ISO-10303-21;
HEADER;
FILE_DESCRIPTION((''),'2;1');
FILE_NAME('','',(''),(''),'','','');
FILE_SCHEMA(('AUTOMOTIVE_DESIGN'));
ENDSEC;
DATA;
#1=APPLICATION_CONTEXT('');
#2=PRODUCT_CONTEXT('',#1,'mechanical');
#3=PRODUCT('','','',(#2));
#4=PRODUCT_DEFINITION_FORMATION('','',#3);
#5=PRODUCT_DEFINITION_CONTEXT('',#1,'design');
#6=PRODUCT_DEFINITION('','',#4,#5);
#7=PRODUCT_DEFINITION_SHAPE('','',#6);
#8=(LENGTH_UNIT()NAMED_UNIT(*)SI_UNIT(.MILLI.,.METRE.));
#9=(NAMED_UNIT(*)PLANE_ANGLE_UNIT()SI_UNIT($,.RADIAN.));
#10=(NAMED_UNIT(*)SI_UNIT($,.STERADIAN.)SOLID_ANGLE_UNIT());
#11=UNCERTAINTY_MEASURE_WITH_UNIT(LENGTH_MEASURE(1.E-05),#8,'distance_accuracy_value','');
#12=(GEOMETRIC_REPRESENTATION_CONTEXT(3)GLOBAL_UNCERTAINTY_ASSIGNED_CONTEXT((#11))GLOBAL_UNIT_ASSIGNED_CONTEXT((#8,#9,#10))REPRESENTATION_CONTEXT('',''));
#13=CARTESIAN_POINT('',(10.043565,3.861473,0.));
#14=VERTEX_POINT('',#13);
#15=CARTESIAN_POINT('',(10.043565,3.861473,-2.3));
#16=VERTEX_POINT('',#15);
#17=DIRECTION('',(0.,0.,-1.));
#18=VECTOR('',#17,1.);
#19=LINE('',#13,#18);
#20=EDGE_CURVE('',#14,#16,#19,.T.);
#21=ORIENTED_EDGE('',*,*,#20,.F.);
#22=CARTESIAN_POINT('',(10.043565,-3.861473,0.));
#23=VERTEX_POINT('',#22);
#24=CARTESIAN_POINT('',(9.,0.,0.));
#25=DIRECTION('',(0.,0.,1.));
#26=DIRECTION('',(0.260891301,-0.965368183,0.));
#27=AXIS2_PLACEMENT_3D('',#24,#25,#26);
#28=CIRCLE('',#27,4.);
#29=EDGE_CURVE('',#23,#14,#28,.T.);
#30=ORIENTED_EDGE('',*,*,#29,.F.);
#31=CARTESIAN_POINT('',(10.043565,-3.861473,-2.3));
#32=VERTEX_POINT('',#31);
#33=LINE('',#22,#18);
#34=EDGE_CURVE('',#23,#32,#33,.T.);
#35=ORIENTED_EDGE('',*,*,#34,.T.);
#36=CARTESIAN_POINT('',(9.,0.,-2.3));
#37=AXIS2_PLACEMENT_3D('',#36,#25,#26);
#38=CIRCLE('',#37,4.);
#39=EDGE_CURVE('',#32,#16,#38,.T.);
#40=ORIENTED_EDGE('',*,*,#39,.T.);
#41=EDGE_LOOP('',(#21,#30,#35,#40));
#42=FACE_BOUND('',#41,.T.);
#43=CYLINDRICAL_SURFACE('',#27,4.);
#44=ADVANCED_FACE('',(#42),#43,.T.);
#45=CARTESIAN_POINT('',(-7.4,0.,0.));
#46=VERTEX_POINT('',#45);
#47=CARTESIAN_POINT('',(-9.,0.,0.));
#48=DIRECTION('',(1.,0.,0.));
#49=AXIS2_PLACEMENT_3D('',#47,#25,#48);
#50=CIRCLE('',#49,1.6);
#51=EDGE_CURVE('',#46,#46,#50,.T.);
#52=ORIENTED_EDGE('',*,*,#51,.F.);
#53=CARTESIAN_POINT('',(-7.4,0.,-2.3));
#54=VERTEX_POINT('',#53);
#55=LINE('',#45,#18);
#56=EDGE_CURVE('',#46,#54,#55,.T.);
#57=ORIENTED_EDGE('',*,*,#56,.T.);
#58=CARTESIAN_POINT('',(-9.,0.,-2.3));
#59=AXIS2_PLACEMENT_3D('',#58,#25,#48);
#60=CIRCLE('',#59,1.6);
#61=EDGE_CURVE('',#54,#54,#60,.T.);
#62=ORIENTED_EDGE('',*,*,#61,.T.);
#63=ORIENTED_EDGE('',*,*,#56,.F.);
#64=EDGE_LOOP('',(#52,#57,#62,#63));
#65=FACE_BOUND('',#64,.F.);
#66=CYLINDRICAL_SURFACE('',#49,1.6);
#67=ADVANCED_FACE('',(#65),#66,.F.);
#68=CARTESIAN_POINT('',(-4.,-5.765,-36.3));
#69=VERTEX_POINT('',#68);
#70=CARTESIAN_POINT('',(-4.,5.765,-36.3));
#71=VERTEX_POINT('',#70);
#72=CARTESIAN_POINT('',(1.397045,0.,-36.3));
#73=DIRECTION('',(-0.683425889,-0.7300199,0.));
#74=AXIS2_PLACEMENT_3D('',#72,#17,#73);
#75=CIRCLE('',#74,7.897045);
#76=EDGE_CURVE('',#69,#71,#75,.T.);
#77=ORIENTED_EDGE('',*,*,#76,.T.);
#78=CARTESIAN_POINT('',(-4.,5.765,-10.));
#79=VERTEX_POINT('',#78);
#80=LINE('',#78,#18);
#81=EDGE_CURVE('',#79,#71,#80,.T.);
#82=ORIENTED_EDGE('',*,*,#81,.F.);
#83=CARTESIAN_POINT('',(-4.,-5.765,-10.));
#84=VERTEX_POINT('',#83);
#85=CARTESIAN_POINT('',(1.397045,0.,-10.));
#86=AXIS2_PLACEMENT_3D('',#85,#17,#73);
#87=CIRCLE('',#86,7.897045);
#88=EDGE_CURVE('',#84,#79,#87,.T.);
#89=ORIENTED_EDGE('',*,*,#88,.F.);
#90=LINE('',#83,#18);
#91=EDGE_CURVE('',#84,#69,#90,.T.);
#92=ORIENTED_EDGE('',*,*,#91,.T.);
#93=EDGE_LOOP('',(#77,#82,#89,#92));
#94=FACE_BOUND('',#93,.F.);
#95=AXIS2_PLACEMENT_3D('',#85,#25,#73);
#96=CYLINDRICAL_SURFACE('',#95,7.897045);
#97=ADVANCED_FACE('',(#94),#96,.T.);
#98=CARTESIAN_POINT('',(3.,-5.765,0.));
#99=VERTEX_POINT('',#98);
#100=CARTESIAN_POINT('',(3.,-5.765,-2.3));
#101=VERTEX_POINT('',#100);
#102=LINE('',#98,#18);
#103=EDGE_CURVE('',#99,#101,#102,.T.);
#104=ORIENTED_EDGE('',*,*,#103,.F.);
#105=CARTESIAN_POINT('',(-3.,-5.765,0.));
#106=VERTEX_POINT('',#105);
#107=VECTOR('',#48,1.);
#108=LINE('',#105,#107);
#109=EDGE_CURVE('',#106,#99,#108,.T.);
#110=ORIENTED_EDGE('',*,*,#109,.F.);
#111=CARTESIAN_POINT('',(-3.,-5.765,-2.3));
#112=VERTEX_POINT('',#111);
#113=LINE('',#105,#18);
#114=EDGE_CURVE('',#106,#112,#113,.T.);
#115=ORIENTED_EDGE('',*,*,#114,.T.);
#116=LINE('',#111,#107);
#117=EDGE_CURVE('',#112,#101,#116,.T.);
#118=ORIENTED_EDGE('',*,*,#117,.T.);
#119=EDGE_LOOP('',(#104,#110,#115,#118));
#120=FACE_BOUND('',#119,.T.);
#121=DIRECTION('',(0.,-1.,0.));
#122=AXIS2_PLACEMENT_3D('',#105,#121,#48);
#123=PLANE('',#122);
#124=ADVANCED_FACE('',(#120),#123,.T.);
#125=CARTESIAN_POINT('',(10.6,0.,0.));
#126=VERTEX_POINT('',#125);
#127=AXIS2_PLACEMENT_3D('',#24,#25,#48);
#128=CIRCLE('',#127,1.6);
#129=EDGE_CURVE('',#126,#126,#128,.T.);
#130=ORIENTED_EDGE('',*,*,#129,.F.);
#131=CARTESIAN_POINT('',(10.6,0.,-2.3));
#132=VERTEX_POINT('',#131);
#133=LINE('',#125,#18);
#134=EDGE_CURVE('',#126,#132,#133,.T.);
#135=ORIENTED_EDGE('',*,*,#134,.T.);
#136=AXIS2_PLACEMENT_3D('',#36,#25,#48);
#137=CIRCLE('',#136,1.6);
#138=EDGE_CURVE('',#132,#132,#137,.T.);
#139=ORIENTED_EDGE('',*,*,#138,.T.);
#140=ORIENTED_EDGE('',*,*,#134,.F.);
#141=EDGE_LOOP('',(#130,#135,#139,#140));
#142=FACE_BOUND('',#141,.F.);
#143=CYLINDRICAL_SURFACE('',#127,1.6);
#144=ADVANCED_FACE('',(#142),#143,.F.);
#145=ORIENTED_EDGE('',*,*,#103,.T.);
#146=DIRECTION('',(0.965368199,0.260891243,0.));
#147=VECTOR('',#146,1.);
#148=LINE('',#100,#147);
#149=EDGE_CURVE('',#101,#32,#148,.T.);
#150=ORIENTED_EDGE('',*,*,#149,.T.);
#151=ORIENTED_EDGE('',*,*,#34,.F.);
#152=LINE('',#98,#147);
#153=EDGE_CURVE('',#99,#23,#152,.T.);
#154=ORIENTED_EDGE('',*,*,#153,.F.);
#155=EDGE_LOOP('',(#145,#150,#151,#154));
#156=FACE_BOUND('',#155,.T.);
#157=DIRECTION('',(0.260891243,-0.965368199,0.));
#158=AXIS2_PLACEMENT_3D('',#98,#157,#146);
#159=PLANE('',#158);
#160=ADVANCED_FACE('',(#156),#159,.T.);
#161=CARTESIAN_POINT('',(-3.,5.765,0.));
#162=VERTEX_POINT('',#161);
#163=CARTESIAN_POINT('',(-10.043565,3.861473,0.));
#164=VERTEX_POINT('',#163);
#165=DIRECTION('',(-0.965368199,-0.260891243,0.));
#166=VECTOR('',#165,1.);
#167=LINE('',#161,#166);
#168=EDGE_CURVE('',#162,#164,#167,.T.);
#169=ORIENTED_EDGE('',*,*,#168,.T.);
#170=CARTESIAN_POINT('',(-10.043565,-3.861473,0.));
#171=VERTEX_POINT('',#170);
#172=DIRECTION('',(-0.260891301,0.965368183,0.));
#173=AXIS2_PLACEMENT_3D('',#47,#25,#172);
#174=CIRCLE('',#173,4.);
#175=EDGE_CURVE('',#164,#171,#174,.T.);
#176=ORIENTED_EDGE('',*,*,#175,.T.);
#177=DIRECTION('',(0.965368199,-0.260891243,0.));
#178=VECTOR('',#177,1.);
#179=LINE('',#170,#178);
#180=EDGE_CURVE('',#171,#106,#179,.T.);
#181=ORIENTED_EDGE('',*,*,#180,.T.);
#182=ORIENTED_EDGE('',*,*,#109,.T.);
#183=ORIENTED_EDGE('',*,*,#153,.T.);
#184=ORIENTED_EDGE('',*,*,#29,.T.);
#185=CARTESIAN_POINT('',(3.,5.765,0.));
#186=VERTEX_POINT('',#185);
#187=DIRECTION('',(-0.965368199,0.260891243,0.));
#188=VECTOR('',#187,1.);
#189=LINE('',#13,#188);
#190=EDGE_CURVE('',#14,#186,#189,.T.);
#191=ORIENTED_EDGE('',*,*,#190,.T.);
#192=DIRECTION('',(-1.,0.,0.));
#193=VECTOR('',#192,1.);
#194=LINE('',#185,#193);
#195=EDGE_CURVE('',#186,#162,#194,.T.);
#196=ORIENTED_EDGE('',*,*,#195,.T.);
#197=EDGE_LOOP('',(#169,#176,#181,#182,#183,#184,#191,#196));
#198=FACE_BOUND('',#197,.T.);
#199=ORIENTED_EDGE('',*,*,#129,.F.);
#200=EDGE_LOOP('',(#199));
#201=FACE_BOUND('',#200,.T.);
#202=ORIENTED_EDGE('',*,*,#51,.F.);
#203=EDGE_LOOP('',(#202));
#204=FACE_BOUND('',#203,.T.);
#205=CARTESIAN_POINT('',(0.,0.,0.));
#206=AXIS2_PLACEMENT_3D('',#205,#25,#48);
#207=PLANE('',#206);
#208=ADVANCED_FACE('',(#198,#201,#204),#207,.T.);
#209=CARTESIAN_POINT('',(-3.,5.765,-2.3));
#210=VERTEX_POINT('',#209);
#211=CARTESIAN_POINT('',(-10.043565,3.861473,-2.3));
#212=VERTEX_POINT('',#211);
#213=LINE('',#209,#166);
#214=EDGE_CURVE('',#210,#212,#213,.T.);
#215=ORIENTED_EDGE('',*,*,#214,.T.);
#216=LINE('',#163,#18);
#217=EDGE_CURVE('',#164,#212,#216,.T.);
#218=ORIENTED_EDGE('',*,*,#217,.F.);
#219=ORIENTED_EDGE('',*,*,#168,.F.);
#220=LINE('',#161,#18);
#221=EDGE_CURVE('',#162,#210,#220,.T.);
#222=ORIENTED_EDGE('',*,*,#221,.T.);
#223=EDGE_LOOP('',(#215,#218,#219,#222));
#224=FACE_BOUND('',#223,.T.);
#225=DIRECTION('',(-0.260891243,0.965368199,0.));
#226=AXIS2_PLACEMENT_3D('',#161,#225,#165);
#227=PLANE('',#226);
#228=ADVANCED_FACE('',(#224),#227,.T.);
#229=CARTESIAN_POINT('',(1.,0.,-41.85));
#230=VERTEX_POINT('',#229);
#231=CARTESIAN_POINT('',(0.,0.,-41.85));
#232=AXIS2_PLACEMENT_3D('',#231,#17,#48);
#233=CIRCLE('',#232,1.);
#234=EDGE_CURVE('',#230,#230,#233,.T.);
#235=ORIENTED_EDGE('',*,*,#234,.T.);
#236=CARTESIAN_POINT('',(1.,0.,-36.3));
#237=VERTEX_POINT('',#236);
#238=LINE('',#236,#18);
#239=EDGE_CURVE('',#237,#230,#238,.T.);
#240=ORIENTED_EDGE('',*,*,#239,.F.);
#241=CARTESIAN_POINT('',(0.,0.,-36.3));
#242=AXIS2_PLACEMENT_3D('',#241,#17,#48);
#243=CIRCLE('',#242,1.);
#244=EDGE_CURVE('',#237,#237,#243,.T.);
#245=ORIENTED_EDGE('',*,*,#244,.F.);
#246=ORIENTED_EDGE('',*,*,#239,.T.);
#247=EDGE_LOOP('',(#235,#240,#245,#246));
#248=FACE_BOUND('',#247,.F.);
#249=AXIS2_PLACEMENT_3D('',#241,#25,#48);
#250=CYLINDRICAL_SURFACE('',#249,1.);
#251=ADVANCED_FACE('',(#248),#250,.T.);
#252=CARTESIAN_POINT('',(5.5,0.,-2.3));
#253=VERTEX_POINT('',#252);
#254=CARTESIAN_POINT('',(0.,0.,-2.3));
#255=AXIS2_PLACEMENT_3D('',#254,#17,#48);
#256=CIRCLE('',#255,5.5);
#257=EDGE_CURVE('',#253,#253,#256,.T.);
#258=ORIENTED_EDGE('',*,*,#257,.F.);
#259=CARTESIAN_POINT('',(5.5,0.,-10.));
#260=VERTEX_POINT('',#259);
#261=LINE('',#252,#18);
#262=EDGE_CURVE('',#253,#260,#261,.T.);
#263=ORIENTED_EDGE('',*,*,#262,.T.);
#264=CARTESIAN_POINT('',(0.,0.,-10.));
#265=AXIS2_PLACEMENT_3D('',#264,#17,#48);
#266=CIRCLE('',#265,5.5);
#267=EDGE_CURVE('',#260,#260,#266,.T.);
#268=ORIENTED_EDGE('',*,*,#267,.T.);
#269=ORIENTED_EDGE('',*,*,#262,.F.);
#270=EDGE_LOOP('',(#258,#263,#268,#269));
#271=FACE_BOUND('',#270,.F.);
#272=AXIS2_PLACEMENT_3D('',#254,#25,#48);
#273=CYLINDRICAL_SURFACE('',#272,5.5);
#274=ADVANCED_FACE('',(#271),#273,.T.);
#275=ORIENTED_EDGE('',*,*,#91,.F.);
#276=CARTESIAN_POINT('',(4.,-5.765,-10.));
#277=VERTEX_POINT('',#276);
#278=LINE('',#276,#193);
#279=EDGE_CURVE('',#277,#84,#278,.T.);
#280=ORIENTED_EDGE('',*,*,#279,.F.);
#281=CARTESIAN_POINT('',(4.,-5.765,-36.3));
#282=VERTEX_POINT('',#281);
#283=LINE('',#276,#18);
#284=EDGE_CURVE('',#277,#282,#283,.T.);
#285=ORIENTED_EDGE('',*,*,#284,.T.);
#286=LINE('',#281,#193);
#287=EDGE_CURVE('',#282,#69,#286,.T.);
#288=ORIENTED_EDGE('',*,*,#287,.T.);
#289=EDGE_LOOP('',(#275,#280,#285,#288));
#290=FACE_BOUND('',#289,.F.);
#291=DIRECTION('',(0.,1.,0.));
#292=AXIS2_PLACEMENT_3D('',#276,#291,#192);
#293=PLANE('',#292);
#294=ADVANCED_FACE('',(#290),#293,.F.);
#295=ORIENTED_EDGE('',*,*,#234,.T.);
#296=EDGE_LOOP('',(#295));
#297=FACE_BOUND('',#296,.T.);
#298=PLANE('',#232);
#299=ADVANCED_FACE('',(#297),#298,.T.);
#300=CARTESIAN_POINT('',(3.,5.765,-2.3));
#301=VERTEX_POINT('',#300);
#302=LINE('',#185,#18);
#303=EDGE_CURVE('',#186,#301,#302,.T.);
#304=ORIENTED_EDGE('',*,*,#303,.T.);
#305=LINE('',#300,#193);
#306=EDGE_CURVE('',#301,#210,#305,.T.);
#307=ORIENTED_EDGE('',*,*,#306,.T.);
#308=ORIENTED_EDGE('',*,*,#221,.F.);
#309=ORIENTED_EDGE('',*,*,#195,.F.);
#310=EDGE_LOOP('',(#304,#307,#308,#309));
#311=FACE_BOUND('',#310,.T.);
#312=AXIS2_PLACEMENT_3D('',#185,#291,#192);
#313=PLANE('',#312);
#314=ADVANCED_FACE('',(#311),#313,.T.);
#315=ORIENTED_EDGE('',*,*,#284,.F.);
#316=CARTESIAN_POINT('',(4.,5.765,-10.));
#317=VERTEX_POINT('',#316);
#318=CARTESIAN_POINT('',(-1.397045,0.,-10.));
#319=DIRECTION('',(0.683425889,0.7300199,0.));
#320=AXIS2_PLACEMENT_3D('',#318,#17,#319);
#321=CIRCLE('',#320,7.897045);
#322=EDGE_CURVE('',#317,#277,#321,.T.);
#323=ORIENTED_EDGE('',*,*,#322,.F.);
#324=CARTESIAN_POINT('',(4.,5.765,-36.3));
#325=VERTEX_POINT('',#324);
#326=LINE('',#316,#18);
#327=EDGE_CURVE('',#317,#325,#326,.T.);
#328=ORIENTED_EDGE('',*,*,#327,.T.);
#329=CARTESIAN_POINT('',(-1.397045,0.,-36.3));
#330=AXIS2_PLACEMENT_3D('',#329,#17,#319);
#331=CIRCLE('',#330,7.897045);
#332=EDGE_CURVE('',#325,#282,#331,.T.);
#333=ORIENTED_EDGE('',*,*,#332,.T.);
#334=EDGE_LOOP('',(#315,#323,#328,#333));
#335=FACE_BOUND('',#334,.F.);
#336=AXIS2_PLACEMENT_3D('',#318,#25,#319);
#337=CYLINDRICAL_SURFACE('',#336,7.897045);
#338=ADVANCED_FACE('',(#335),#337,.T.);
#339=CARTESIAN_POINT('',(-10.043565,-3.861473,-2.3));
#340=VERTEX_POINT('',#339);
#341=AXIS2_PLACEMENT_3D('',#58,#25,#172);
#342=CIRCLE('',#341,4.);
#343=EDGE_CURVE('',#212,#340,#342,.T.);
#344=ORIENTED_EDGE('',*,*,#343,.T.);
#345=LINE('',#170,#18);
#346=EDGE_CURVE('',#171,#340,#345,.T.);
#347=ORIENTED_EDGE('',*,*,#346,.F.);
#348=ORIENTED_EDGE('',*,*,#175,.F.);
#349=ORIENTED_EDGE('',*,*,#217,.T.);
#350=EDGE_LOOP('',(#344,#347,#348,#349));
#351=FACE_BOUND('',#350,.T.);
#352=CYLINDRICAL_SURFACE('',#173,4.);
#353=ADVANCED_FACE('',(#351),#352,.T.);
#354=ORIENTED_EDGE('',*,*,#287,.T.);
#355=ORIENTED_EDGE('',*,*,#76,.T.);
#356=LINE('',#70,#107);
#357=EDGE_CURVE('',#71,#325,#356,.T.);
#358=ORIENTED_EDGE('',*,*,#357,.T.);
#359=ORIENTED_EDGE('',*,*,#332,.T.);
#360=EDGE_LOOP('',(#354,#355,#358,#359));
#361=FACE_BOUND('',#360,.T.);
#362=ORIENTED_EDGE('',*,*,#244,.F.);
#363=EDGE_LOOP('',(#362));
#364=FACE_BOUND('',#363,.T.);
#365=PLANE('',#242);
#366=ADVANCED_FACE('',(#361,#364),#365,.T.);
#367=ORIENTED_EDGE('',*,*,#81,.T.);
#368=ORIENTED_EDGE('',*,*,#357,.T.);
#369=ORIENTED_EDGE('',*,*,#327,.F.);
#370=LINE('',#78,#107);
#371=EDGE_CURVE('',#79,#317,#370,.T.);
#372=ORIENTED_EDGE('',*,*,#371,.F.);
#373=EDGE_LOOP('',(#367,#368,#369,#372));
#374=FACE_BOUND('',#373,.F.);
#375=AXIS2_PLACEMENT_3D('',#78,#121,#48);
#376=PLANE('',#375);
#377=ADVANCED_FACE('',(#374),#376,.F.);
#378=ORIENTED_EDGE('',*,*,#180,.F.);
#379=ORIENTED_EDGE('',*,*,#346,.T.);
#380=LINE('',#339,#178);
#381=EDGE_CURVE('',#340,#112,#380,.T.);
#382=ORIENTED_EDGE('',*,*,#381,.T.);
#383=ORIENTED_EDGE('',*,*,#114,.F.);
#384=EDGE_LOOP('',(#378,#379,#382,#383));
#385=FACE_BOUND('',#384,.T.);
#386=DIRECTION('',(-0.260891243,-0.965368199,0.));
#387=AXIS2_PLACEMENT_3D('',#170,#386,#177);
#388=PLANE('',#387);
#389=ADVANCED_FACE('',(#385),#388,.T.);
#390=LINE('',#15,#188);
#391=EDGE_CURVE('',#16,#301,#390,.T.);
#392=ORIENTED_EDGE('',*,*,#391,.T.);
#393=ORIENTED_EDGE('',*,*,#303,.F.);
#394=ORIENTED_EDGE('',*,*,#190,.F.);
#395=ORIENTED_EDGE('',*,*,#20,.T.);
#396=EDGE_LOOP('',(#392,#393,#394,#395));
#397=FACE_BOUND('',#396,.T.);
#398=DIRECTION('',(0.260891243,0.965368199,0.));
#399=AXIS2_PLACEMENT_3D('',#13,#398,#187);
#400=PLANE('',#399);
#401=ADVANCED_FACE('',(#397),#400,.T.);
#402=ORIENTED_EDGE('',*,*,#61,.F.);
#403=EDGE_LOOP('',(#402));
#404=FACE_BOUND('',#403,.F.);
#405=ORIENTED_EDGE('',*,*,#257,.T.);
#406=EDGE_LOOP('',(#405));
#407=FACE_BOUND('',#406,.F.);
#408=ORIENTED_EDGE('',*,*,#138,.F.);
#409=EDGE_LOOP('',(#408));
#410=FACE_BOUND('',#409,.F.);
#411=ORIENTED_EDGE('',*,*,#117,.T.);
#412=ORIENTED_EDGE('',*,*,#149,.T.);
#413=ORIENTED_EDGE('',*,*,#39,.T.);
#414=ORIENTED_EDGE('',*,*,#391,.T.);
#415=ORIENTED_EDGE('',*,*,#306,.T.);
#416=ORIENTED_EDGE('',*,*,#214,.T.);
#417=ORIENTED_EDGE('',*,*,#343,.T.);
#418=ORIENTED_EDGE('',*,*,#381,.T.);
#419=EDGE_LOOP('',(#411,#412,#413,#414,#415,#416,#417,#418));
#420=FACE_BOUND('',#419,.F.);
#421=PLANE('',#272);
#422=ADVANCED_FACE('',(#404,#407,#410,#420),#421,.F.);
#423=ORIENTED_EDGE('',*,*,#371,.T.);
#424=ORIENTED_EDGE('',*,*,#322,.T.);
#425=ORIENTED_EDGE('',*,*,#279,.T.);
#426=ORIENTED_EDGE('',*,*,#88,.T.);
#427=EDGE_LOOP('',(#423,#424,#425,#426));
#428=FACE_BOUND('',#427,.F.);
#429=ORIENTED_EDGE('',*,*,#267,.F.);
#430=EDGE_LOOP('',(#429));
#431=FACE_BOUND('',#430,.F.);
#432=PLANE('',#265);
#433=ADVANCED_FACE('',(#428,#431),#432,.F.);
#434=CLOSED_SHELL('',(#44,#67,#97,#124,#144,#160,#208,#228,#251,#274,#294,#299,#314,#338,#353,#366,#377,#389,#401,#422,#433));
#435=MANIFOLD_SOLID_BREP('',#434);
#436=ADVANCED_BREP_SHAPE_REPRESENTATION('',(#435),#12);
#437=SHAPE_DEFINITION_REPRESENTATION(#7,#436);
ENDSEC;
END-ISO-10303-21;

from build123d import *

# Parameters (mm, degrees)
F0_R     = 1.6
F1_DEPTH = 2.3
F2_R     = 5.5
F3_DEPTH = 7.7
F5_DEPTH = 26.3
F6_R     = 1
F7_DEPTH = 5.55


with BuildPart() as f1:
    # F0 (on Top) → F1 (new body)
    with BuildSketch(Plane.XY):
        with BuildLine():
            Line((3, 5.765), (-3, 5.765))
            Line((-3, 5.765), (-10.043565, 3.861473))
            ThreePointArc((-10.043565, 3.861473), (-13, 0), (-10.043565, -3.861473))
            Line((-10.043565, -3.861473), (-3, -5.765))
            Line((-3, -5.765), (3, -5.765))
            Line((3, -5.765), (10.043565, -3.861473))
            ThreePointArc((10.043565, -3.861473), (13, 0), (10.043565, 3.861473))
            Line((10.043565, 3.861473), (3, 5.765))
        make_face()
        with Locations((-9, 0)):
            Circle(F0_R, mode=Mode.SUBTRACT)
        with Locations((9, 0)):
            Circle(F0_R, mode=Mode.SUBTRACT)
    extrude(amount=-F1_DEPTH)

    # F2 (on face) → F3 (join)
    with BuildSketch(Plane(origin=(0, 0, -2.3), x_dir=(1, 0, 0), z_dir=(0, 0, -1))):
        Circle(F2_R)
    extrude(amount=F3_DEPTH)

    # F4 (on face) → F5 (join)
    with BuildSketch(Plane(origin=(0, 0, -10), x_dir=(1, 0, 0), z_dir=(0, 0, -1))):
        with BuildLine():
            Line((4, 5.765), (-4, 5.765))
            ThreePointArc((-4, 5.765), (-6.5, 0), (-4, -5.765))
            Line((-4, -5.765), (4, -5.765))
            ThreePointArc((4, -5.765), (6.5, 0), (4, 5.765))
        make_face()
    extrude(amount=F5_DEPTH)

    # F6 (on face) → F7 (join)
    with BuildSketch(Plane(origin=(0, 0, -36.3), x_dir=(1, 0, 0), z_dir=(0, 0, -1))):
        Circle(F6_R)
    extrude(amount=F7_DEPTH)


solid = f1.part
